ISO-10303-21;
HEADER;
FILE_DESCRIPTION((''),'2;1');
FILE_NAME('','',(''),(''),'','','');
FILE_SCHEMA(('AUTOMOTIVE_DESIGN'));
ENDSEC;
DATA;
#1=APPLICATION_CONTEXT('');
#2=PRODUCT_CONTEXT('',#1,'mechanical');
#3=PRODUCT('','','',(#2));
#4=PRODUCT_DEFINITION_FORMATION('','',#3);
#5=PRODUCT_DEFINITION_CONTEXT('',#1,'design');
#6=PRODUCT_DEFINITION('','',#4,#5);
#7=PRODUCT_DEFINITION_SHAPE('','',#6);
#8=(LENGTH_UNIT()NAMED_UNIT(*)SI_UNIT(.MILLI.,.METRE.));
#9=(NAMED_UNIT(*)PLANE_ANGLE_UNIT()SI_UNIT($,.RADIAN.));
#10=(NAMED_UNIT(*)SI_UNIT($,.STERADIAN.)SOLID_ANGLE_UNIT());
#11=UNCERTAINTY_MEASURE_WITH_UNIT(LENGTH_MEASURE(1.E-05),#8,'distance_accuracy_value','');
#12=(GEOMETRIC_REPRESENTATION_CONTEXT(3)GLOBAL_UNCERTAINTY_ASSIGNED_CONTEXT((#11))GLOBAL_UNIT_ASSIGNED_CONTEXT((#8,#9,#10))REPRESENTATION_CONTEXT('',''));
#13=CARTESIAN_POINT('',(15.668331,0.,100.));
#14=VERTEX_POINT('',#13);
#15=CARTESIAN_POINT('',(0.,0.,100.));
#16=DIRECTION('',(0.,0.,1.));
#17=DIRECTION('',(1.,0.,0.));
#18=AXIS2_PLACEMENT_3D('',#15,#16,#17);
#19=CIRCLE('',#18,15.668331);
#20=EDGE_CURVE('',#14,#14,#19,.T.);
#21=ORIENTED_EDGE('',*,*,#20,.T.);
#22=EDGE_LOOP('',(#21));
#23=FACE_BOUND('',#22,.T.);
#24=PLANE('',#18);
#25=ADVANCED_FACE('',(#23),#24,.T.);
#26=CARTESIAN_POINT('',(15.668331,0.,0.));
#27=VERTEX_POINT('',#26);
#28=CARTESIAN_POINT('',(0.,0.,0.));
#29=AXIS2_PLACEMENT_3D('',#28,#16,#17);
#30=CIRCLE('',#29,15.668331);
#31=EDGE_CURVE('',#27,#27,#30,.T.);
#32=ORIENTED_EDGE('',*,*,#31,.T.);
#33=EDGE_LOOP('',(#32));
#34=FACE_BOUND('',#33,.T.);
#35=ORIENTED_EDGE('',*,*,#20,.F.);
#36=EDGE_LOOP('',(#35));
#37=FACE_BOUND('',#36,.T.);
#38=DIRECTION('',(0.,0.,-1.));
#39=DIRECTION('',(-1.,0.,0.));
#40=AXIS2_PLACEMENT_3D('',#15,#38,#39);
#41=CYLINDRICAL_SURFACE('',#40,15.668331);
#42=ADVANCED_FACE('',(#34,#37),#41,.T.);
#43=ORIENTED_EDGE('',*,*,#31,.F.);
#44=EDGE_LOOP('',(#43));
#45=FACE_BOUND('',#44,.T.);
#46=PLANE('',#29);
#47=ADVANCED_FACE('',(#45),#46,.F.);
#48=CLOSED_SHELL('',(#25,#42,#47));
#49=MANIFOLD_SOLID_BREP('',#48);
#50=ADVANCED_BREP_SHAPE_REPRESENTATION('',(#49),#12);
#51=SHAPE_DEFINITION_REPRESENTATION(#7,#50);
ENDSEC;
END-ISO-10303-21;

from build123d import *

# Parameters (mm, degrees)
SKIZZE1_R                       = 15.668331021
AUFSATZ_LINEAR_AUSTRAGEN1_DEPTH = 100


with BuildPart() as part:
    # Skizze1 → Aufsatz-Linear austragen1 (new body)
    with BuildSketch(Plane.XY):
        Circle(SKIZZE1_R)
    extrude(amount=AUFSATZ_LINEAR_AUSTRAGEN1_DEPTH)


solid = part.part
